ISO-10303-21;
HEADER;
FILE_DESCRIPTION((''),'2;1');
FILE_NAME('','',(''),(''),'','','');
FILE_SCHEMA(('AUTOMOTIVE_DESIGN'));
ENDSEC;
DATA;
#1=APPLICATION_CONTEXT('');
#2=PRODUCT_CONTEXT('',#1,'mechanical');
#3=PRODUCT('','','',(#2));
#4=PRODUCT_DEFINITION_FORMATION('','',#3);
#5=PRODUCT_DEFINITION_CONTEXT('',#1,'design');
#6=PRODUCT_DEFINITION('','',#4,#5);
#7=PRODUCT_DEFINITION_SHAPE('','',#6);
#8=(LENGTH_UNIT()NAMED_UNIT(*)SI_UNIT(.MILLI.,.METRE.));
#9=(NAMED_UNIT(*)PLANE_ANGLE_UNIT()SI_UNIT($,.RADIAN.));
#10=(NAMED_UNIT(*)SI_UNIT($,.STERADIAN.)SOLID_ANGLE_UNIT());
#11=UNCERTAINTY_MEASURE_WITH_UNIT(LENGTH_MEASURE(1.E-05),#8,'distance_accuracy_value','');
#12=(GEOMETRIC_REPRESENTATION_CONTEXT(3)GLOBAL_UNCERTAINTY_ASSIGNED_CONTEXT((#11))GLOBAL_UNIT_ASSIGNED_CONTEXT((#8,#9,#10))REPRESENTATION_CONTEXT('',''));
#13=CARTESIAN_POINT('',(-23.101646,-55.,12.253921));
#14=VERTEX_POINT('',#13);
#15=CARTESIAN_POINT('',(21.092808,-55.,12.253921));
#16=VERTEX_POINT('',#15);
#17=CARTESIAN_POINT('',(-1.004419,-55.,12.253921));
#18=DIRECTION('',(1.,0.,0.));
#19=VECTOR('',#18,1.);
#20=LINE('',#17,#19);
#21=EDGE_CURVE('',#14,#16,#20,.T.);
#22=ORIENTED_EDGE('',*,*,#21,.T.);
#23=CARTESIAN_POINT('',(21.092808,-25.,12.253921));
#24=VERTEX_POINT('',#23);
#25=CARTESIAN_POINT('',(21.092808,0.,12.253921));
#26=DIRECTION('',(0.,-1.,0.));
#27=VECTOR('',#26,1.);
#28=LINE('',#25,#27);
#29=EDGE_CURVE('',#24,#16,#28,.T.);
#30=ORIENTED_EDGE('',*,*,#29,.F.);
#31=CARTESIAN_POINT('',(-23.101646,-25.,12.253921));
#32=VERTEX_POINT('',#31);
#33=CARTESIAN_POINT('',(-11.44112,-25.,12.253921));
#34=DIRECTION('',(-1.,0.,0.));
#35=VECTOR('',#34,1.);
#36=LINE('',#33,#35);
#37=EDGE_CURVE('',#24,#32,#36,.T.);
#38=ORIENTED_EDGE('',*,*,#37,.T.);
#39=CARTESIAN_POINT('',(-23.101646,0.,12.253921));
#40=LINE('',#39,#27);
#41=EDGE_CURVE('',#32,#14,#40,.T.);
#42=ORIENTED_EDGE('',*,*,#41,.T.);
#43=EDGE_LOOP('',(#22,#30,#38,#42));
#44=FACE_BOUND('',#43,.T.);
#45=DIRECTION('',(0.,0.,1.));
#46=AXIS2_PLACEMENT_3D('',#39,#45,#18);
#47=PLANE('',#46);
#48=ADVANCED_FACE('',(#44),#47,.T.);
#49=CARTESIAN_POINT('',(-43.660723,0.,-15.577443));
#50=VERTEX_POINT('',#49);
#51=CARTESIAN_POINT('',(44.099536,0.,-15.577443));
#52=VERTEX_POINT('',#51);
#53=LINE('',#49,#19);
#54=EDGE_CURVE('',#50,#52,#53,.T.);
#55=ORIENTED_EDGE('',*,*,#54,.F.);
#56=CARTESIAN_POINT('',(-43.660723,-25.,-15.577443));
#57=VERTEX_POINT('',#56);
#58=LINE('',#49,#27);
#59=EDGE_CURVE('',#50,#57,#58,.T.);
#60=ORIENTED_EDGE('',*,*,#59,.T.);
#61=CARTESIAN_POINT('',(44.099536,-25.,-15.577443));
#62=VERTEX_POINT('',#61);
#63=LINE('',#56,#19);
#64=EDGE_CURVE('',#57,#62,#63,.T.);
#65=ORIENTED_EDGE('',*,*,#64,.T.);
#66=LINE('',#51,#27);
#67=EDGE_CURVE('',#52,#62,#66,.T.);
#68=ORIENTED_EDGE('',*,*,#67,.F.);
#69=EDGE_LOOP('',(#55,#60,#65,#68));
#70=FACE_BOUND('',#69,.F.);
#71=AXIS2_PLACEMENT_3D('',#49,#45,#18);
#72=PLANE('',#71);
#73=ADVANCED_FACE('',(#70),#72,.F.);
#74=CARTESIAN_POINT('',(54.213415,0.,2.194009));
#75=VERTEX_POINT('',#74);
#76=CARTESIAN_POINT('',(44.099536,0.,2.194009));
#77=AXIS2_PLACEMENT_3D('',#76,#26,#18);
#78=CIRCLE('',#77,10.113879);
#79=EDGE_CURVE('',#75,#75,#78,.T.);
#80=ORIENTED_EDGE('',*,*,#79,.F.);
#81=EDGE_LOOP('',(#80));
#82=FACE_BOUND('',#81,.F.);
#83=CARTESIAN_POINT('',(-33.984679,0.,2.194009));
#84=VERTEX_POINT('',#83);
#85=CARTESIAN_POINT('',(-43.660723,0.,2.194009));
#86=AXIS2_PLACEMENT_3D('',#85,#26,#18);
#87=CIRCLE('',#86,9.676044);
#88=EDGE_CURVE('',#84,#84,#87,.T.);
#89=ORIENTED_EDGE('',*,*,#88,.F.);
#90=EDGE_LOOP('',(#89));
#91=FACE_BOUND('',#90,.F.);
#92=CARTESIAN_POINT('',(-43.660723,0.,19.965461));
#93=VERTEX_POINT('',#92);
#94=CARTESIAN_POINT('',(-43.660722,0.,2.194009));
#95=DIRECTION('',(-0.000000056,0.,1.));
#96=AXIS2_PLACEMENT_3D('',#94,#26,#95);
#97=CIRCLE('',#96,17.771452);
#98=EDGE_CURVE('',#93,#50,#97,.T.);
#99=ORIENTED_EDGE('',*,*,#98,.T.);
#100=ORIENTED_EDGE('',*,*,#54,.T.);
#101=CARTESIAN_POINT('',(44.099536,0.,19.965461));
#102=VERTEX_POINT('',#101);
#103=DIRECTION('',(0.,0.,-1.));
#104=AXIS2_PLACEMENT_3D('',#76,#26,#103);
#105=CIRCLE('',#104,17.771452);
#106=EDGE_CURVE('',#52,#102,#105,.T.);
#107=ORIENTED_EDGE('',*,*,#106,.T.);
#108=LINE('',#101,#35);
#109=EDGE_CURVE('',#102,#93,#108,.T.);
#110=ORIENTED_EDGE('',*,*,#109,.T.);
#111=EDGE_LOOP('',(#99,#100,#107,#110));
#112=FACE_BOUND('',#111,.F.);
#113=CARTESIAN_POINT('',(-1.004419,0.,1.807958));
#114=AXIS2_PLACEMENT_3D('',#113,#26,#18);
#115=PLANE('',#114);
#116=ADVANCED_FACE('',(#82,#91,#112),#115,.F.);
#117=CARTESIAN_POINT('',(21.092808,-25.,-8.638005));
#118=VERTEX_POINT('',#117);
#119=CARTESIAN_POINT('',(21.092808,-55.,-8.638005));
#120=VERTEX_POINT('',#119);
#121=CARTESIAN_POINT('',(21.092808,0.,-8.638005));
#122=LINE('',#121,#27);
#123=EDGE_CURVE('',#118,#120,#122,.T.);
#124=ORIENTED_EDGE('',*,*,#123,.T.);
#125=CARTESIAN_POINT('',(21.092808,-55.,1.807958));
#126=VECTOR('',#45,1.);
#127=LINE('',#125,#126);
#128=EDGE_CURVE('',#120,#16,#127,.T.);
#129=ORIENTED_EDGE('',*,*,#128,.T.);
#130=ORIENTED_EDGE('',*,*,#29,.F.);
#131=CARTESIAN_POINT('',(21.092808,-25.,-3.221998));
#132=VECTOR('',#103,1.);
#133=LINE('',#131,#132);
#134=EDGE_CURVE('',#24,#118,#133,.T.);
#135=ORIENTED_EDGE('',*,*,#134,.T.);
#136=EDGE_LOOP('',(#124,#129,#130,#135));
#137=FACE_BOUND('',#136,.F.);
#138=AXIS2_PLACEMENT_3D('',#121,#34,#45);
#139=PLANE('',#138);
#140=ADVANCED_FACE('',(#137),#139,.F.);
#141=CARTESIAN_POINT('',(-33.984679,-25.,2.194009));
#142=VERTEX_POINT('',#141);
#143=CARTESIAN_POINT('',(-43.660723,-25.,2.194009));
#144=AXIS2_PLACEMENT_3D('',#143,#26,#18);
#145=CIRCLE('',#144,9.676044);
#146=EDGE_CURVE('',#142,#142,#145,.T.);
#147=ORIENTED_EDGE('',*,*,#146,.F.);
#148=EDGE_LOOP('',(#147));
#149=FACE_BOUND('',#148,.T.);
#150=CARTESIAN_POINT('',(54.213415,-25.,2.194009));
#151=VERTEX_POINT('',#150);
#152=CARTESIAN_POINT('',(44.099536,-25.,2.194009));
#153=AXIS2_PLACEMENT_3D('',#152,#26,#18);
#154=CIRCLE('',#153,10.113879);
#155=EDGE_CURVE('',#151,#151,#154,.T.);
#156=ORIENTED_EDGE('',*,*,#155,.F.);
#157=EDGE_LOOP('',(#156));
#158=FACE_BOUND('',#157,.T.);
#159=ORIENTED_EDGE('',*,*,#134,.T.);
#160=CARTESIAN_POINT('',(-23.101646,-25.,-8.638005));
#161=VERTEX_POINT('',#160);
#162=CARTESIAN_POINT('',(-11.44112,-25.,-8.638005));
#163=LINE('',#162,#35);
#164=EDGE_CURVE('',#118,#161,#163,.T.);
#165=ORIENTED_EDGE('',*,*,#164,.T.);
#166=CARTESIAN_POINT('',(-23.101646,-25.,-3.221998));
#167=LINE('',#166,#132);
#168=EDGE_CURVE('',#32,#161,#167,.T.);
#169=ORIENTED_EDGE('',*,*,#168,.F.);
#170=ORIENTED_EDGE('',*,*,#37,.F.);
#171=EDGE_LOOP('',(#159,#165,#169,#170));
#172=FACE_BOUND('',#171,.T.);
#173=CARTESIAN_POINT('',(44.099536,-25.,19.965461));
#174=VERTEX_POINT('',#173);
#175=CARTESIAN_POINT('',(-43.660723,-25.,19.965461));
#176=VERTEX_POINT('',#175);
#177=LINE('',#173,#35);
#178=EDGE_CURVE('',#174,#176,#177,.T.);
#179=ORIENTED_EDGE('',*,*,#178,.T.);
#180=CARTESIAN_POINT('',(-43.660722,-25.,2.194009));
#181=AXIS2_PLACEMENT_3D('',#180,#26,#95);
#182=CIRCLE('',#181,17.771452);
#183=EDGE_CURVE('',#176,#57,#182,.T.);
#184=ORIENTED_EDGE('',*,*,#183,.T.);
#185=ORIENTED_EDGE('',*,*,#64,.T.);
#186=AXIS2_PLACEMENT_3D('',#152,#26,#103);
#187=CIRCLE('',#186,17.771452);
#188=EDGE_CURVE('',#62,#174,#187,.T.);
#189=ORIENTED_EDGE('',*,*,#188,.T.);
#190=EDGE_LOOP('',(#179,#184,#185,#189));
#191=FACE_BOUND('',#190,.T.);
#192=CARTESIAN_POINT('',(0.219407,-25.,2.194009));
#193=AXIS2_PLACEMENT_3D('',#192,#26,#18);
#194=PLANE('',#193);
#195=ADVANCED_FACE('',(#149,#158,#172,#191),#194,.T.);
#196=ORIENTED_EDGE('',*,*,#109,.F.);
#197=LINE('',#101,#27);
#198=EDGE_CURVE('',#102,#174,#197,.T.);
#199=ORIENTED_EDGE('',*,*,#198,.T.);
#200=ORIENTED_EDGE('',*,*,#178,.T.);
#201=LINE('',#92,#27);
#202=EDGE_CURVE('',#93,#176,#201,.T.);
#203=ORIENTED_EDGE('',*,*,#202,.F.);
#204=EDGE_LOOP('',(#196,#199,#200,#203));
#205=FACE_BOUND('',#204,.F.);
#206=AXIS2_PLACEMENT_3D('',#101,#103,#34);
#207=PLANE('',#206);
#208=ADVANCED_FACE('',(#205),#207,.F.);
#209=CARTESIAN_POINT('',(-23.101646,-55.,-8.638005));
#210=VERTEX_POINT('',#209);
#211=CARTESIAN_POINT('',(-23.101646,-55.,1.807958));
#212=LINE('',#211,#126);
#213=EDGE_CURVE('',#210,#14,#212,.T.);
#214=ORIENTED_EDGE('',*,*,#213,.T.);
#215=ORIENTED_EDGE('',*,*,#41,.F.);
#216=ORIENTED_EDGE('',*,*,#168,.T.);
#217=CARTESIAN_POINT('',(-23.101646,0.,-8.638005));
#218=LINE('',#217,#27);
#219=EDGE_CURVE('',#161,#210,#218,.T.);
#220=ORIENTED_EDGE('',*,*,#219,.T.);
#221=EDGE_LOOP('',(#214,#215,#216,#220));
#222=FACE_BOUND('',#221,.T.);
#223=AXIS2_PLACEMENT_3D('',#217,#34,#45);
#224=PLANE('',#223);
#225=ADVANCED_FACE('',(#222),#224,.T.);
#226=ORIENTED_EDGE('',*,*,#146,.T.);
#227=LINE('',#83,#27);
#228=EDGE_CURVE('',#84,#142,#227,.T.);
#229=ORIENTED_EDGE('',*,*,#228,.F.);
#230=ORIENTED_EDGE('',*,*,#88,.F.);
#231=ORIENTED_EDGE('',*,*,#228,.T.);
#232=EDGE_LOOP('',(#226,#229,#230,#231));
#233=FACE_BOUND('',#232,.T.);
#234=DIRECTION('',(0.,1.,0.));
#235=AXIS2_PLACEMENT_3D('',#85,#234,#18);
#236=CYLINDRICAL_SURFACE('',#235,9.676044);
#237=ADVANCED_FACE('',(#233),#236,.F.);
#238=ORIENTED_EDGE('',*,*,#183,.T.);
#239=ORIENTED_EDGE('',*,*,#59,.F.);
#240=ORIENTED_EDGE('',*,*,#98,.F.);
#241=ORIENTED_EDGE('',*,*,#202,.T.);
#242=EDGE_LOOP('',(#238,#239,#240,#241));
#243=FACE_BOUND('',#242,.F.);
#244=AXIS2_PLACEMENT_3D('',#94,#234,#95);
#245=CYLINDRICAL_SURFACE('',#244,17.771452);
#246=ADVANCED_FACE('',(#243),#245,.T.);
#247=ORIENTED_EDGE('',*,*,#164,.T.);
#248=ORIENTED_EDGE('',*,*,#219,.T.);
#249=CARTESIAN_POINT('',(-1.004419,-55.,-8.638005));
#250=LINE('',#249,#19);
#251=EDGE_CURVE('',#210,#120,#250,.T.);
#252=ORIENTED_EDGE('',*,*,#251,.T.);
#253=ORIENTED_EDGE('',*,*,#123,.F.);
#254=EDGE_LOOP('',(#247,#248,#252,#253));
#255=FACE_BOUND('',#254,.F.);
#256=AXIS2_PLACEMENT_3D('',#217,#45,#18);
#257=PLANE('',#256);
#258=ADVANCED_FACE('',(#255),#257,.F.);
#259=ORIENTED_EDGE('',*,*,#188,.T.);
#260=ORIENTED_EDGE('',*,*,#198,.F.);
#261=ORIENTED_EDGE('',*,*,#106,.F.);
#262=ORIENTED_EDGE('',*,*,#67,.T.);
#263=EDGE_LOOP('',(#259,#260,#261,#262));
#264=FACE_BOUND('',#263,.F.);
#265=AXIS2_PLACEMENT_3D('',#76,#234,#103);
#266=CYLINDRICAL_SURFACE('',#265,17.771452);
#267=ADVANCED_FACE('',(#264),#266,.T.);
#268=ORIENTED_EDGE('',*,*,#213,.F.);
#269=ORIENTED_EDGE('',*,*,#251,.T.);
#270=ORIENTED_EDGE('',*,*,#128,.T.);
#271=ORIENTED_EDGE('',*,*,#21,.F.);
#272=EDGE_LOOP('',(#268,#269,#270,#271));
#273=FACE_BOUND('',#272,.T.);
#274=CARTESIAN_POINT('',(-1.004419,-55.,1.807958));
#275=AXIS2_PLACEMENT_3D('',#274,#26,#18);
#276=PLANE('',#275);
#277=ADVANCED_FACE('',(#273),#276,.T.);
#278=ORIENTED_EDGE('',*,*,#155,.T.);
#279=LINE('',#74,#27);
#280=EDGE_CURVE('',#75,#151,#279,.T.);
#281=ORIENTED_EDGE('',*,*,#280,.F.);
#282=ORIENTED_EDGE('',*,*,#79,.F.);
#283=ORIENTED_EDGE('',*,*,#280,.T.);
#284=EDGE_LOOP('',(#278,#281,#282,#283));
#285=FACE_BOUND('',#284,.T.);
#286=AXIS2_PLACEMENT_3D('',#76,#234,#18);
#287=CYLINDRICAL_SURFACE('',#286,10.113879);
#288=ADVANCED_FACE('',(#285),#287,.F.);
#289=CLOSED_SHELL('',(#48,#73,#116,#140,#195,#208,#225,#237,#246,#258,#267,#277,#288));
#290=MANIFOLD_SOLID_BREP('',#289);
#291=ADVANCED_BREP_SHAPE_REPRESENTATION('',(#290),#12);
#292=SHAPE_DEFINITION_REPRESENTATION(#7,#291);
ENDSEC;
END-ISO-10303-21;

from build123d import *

# Parameters (mm, degrees)
F0_R     = 9.676044
F0_R_2   = 10.113879
F1_DEPTH = 25
F2_W     = 44.194454
F2_H     = 20.891926
F3_DEPTH = 55


with BuildPart() as f1:
    # F0 (on Front) → F1 (new body)
    with BuildSketch(Plane.XZ):
        with BuildLine():
            Line((44.099536, 19.965461), (-43.660723, 19.965461))
            ThreePointArc((-43.660723, 19.965461), (-61.432174, 2.194009), (-43.660723, -15.577443))
            Line((-43.660723, -15.577443), (44.099536, -15.577443))
            ThreePointArc((44.099536, -15.577443), (61.870988, 2.194009), (44.099536, 19.965461))
        make_face()
        with Locations((-43.660723, 2.194009)):
            Circle(F0_R, mode=Mode.SUBTRACT)
        with Locations((44.099536, 2.194009)):
            Circle(F0_R_2, mode=Mode.SUBTRACT)
    extrude(amount=F1_DEPTH)

    # F2 (on Front) → F3 (join)
    with BuildSketch(Plane.XZ):
        with Locations((-1.004419, 1.807958)):
            Rectangle(F2_W, F2_H)
    extrude(amount=F3_DEPTH)


solid = f1.part
